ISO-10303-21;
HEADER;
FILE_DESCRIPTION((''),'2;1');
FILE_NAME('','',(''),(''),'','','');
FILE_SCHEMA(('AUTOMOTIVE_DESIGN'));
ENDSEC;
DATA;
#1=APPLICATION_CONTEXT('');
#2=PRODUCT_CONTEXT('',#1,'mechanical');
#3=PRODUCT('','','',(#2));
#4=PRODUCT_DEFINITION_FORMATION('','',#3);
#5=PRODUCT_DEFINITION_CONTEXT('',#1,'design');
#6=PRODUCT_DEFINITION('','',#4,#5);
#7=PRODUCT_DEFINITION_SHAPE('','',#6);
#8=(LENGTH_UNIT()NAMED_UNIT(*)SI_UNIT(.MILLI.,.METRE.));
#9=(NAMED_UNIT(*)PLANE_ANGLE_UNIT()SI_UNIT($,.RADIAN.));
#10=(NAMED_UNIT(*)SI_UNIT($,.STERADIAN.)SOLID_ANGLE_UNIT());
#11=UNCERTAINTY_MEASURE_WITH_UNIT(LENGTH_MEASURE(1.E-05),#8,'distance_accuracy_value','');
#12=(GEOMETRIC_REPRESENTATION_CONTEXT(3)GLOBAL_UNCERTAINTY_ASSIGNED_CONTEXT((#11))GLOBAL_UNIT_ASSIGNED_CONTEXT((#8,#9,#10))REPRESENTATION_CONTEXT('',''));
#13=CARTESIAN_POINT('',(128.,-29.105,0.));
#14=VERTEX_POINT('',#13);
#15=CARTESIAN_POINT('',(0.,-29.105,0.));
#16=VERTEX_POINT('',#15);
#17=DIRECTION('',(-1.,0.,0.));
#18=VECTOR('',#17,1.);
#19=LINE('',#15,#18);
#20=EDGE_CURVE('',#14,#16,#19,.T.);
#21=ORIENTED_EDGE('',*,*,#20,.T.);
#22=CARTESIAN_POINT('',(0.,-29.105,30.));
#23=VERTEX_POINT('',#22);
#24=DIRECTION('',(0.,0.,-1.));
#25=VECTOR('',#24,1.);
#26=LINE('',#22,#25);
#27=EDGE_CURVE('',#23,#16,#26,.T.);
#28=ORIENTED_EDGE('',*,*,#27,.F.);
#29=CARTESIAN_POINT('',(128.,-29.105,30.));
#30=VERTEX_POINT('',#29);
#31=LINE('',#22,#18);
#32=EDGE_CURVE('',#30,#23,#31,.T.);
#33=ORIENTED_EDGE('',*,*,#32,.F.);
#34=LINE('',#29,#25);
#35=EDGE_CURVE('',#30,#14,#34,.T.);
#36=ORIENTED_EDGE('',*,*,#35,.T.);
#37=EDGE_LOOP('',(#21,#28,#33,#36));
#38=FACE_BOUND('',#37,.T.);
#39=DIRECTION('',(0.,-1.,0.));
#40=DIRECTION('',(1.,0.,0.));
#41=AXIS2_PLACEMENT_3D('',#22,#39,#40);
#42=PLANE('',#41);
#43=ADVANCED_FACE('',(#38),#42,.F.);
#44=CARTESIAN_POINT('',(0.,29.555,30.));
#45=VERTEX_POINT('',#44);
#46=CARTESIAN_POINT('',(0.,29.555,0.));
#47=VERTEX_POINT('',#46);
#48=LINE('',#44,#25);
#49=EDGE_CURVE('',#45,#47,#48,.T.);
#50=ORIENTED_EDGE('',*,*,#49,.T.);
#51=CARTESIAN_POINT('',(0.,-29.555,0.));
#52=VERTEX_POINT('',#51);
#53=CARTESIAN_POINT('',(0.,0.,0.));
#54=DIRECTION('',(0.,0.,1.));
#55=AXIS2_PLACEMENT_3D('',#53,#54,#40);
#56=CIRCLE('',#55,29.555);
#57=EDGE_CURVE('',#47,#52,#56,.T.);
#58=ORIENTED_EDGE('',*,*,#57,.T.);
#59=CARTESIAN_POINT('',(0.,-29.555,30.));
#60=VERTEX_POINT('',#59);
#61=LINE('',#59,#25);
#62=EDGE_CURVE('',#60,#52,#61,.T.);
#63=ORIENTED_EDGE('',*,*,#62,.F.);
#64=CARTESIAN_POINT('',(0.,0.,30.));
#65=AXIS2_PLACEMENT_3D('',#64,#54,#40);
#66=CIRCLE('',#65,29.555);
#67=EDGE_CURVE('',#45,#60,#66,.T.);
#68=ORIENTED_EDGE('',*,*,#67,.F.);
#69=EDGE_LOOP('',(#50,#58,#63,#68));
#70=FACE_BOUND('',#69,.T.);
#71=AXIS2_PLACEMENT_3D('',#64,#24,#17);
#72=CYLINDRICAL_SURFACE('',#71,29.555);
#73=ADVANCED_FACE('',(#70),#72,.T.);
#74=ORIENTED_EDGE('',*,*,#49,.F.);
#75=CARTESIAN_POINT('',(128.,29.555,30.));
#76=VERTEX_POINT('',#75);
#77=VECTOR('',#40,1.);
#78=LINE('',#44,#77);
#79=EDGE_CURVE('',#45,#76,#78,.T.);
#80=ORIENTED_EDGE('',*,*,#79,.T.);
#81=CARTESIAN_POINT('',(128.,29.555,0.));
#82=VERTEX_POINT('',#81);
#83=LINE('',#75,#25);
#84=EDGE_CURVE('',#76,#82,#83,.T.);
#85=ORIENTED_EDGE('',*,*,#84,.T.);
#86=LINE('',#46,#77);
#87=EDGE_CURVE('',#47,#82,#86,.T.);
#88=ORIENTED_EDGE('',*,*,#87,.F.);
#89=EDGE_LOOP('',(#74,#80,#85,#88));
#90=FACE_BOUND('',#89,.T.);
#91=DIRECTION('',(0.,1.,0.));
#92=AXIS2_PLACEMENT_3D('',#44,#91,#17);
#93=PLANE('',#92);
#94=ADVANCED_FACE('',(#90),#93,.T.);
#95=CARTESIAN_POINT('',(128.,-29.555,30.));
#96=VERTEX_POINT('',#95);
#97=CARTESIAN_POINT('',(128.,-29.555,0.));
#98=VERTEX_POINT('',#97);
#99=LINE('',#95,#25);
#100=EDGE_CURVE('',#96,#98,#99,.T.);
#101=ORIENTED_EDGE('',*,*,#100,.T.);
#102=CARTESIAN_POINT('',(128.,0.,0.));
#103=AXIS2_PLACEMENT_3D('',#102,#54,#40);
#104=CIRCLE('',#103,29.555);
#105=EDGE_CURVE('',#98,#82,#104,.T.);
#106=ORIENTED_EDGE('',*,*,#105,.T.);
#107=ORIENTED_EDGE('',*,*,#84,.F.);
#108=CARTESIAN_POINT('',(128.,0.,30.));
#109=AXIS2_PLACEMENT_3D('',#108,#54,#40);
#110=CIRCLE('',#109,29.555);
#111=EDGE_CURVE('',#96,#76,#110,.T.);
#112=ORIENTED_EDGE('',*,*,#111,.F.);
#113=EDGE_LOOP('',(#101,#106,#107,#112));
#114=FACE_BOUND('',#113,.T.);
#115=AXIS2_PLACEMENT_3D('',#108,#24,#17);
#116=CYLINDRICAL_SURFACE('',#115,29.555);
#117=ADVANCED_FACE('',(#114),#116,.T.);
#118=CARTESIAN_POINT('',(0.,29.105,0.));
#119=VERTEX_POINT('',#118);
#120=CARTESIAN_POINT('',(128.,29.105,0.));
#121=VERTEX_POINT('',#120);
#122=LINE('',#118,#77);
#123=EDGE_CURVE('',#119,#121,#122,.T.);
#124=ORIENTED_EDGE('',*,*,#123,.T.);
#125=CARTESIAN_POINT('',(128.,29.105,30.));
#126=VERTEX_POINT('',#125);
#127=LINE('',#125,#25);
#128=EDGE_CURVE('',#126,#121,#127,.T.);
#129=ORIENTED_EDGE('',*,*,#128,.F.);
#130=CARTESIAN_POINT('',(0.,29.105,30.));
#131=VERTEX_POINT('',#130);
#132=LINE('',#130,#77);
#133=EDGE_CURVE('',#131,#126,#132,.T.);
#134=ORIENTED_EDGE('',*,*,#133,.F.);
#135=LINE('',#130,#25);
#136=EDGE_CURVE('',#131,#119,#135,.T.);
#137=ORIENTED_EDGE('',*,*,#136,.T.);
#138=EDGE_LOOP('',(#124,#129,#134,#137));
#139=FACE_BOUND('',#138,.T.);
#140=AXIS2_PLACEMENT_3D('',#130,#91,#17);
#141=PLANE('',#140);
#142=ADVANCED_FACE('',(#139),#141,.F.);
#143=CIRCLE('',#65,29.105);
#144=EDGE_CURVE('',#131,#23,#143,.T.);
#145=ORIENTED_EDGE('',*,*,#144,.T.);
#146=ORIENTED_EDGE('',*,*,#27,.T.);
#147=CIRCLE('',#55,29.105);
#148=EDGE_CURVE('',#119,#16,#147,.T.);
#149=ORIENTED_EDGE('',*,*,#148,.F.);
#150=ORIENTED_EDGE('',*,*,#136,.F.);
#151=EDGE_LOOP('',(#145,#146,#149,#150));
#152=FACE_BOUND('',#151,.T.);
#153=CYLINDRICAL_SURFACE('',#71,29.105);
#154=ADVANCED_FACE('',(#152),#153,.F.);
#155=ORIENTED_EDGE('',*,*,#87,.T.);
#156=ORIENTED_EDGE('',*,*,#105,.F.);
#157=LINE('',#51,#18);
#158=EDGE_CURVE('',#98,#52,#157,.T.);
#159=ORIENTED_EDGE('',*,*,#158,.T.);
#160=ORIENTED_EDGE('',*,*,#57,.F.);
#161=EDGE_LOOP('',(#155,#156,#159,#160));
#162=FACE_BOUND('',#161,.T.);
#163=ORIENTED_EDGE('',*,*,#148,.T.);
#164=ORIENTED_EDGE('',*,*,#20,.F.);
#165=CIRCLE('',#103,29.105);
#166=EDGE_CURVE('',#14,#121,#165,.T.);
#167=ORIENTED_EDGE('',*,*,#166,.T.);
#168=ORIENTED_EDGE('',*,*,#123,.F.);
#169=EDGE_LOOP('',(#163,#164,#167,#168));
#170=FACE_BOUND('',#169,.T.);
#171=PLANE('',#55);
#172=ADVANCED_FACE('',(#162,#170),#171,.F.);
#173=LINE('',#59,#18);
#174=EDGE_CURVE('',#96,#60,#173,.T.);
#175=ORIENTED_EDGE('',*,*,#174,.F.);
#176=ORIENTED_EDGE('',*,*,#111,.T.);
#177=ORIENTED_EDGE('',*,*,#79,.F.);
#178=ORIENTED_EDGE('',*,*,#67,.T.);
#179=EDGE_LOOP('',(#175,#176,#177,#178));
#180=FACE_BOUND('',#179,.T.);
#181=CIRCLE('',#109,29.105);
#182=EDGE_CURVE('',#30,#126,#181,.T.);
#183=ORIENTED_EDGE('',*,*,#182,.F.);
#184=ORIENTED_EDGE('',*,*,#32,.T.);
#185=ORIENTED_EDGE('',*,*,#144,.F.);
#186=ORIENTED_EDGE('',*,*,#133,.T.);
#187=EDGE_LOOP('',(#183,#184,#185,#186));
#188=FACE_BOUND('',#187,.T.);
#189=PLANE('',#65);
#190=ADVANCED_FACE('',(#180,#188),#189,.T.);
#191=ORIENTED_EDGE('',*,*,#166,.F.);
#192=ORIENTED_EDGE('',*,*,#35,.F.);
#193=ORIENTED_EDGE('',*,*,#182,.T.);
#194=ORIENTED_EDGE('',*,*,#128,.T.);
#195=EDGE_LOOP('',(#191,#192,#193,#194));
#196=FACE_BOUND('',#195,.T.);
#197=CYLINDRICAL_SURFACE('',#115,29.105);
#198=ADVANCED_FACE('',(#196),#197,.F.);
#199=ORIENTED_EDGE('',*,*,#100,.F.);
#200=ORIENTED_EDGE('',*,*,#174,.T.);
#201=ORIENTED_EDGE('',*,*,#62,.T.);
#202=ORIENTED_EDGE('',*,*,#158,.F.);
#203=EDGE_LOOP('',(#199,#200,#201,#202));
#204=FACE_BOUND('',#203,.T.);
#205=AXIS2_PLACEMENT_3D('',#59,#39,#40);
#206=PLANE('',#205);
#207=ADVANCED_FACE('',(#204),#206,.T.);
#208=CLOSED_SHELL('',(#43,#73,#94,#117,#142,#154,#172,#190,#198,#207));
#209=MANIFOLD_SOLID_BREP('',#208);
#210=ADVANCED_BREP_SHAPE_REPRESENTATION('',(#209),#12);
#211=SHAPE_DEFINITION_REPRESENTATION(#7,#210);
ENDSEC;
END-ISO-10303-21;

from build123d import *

# Parameters (mm, degrees)
BOSS_EXTRUDE1_DEPTH = 30


with BuildPart() as part:
    # Sketch1 → Boss-Extrude1 (new body)
    with BuildSketch(Plane.XY):
        with BuildLine():
            ThreePointArc((128, -29.555), (157.555, 0), (128, 29.555))
            Line((128, 29.555), (0, 29.555))
            ThreePointArc((0, 29.555), (-29.555, 0), (0, -29.555))
            Line((0, -29.555), (128, -29.555))
        make_face()
        with BuildLine():
            ThreePointArc((0, -29.105), (-29.105, 0), (0, 29.105))
            Line((0, 29.105), (128, 29.105))
            ThreePointArc((128, 29.105), (157.105, 0), (128, -29.105))
            Line((128, -29.105), (0, -29.105))
        make_face(mode=Mode.SUBTRACT)
    extrude(amount=BOSS_EXTRUDE1_DEPTH)


solid = part.part
